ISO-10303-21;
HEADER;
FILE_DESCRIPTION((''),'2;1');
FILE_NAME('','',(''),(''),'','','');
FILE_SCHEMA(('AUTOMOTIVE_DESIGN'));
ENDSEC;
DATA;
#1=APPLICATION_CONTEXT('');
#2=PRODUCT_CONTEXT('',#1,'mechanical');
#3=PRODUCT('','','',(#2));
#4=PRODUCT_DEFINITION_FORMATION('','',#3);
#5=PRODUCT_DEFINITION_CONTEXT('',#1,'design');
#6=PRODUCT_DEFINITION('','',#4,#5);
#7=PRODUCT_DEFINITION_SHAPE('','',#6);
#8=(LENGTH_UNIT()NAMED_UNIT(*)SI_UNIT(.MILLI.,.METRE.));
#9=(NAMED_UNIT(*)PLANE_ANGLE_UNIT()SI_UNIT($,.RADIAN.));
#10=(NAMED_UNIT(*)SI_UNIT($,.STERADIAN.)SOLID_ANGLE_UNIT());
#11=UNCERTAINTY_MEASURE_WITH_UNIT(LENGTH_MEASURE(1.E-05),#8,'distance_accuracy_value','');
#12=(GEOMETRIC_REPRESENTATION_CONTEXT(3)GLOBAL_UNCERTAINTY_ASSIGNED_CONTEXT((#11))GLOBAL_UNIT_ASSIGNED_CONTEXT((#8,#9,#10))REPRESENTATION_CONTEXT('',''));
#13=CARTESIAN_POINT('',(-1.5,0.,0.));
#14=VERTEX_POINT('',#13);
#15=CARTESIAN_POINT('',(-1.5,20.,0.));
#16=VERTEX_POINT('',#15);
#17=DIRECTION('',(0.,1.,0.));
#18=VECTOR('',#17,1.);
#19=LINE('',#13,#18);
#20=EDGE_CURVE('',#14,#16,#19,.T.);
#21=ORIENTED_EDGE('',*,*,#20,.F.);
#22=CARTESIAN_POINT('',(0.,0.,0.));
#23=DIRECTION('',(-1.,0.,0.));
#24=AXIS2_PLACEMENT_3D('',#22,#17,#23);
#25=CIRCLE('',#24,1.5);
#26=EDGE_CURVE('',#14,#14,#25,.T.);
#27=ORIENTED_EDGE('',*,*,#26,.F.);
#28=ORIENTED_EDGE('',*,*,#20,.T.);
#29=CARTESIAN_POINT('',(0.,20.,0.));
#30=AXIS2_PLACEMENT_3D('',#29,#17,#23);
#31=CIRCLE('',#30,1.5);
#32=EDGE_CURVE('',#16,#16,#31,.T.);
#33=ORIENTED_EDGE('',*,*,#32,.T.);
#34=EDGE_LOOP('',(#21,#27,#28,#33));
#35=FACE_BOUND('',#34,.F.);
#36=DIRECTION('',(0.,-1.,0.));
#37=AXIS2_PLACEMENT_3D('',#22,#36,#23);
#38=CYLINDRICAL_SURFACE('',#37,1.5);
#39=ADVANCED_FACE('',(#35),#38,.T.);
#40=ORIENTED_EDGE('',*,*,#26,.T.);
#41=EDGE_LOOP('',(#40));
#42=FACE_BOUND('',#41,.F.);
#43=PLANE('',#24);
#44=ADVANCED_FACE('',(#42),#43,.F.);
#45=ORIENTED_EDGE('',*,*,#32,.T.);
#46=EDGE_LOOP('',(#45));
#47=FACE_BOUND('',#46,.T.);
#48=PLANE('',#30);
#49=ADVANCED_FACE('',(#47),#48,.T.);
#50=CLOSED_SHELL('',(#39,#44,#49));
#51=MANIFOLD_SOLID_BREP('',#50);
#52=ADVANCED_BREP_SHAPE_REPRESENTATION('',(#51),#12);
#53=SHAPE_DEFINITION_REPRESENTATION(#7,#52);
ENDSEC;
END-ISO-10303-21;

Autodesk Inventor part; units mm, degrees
ref_plane "YZ Plane" through (0, 0, 0) normal (1, 0, 0) x (0, 1, 0)
ref_plane "XZ Plane" through (0, 0, 0) normal (0, 1, 0) x (-1, 0, 0)
ref_plane "XY Plane" through (0, 0, 0) normal (0, 0, 1) x (1, 0, 0)
sketch "Sketch1" plane through (0, 0, 0) normal (0, 1, 0) x (-1, 0, 0)
  circle A0 centre (0, 0) radius 1.5
  dimension "d0" = 3
extrude "Extrusion1" add sketch "Sketch1" along normal blind 20
properties part number "Standoff 20mm"
